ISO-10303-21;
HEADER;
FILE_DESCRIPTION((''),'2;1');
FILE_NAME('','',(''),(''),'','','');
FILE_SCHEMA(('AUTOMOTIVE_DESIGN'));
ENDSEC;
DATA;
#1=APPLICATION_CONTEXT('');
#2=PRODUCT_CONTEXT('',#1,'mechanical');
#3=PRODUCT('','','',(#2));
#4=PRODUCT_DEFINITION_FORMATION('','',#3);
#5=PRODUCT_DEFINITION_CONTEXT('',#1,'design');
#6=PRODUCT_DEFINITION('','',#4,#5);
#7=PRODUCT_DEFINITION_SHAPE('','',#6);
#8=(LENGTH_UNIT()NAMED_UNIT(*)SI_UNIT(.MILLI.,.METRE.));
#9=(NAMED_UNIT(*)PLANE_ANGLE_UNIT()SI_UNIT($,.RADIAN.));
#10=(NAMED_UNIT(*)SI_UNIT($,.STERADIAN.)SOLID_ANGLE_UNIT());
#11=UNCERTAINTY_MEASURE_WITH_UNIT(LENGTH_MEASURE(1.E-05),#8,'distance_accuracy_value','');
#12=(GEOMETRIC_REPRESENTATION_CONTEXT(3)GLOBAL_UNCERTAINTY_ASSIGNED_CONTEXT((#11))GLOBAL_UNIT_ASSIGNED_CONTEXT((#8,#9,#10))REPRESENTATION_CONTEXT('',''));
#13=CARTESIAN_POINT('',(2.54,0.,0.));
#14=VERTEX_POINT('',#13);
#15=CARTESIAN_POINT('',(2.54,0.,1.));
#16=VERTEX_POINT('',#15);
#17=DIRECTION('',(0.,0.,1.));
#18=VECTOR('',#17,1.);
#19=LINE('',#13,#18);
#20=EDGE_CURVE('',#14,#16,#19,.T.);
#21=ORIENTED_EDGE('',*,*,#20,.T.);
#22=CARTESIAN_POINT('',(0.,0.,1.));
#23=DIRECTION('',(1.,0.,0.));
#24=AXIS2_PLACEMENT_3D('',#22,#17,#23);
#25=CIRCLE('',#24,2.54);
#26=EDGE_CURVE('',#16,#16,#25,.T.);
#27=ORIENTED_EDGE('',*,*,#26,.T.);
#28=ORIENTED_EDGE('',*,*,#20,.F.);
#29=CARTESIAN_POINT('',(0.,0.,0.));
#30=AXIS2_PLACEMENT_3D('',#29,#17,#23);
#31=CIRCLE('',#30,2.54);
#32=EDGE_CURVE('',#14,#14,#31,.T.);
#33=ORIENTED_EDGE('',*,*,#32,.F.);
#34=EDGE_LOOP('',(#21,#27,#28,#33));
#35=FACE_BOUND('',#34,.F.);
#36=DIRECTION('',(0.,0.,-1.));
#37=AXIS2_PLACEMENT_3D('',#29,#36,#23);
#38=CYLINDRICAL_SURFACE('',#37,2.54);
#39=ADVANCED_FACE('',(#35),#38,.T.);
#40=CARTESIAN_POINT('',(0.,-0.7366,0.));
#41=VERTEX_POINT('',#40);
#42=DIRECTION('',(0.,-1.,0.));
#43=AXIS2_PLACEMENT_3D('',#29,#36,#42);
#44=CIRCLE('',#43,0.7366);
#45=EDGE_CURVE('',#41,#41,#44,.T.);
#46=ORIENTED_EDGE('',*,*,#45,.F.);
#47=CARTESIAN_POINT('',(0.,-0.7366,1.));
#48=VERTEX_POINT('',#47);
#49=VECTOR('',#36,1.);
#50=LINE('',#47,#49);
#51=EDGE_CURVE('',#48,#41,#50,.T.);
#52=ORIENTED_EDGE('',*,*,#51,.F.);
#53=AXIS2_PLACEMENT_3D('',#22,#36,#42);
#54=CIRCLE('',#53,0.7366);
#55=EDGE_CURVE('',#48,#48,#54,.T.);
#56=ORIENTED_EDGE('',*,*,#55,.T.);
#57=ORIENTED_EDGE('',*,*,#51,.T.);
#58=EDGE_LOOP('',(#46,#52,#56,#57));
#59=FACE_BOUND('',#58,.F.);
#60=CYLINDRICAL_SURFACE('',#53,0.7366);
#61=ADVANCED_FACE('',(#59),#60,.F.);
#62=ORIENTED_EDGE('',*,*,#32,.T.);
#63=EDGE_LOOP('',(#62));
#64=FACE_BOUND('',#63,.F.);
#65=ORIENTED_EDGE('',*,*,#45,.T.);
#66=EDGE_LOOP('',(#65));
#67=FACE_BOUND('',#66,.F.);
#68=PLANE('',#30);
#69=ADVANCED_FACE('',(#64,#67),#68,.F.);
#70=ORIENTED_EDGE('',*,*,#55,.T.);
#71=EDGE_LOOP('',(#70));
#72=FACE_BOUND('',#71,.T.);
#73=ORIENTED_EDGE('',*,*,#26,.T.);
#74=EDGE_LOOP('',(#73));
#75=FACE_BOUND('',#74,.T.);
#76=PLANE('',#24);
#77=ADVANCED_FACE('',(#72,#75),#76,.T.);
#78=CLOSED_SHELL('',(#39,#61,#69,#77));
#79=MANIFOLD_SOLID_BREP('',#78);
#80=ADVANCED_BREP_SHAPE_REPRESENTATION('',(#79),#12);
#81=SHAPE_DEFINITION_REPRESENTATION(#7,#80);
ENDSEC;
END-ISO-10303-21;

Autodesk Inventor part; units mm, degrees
ref_plane "YZ Plane" through (0, 0, 0) normal (1, 0, 0) x (0, 1, 0)
ref_plane "XZ Plane" through (0, 0, 0) normal (0, 1, 0) x (-1, 0, 0)
ref_plane "XY Plane" through (0, 0, 0) normal (0, 0, 1) x (1, 0, 0)
sketch "Sketch1" plane through (0, 0, 0) normal (0, 0, 1) x (1, 0, 0)
  circle A0 centre (0, 0) radius 2.54
  dimension "d0" = 5.08
extrude "Extrusion1" add sketch "Sketch1" along normal blind 1
sketch "Sketch2" plane through (0, 0, 1) normal (0, 0, 1) x (1, 0, 0)
  circle A0 centre (0, 0) radius 2.54 projected
hole "Hole1" at (0, 0, 1) direction (0, 0, -1) diameter 1.4732 end through all
properties part number "front_block"
